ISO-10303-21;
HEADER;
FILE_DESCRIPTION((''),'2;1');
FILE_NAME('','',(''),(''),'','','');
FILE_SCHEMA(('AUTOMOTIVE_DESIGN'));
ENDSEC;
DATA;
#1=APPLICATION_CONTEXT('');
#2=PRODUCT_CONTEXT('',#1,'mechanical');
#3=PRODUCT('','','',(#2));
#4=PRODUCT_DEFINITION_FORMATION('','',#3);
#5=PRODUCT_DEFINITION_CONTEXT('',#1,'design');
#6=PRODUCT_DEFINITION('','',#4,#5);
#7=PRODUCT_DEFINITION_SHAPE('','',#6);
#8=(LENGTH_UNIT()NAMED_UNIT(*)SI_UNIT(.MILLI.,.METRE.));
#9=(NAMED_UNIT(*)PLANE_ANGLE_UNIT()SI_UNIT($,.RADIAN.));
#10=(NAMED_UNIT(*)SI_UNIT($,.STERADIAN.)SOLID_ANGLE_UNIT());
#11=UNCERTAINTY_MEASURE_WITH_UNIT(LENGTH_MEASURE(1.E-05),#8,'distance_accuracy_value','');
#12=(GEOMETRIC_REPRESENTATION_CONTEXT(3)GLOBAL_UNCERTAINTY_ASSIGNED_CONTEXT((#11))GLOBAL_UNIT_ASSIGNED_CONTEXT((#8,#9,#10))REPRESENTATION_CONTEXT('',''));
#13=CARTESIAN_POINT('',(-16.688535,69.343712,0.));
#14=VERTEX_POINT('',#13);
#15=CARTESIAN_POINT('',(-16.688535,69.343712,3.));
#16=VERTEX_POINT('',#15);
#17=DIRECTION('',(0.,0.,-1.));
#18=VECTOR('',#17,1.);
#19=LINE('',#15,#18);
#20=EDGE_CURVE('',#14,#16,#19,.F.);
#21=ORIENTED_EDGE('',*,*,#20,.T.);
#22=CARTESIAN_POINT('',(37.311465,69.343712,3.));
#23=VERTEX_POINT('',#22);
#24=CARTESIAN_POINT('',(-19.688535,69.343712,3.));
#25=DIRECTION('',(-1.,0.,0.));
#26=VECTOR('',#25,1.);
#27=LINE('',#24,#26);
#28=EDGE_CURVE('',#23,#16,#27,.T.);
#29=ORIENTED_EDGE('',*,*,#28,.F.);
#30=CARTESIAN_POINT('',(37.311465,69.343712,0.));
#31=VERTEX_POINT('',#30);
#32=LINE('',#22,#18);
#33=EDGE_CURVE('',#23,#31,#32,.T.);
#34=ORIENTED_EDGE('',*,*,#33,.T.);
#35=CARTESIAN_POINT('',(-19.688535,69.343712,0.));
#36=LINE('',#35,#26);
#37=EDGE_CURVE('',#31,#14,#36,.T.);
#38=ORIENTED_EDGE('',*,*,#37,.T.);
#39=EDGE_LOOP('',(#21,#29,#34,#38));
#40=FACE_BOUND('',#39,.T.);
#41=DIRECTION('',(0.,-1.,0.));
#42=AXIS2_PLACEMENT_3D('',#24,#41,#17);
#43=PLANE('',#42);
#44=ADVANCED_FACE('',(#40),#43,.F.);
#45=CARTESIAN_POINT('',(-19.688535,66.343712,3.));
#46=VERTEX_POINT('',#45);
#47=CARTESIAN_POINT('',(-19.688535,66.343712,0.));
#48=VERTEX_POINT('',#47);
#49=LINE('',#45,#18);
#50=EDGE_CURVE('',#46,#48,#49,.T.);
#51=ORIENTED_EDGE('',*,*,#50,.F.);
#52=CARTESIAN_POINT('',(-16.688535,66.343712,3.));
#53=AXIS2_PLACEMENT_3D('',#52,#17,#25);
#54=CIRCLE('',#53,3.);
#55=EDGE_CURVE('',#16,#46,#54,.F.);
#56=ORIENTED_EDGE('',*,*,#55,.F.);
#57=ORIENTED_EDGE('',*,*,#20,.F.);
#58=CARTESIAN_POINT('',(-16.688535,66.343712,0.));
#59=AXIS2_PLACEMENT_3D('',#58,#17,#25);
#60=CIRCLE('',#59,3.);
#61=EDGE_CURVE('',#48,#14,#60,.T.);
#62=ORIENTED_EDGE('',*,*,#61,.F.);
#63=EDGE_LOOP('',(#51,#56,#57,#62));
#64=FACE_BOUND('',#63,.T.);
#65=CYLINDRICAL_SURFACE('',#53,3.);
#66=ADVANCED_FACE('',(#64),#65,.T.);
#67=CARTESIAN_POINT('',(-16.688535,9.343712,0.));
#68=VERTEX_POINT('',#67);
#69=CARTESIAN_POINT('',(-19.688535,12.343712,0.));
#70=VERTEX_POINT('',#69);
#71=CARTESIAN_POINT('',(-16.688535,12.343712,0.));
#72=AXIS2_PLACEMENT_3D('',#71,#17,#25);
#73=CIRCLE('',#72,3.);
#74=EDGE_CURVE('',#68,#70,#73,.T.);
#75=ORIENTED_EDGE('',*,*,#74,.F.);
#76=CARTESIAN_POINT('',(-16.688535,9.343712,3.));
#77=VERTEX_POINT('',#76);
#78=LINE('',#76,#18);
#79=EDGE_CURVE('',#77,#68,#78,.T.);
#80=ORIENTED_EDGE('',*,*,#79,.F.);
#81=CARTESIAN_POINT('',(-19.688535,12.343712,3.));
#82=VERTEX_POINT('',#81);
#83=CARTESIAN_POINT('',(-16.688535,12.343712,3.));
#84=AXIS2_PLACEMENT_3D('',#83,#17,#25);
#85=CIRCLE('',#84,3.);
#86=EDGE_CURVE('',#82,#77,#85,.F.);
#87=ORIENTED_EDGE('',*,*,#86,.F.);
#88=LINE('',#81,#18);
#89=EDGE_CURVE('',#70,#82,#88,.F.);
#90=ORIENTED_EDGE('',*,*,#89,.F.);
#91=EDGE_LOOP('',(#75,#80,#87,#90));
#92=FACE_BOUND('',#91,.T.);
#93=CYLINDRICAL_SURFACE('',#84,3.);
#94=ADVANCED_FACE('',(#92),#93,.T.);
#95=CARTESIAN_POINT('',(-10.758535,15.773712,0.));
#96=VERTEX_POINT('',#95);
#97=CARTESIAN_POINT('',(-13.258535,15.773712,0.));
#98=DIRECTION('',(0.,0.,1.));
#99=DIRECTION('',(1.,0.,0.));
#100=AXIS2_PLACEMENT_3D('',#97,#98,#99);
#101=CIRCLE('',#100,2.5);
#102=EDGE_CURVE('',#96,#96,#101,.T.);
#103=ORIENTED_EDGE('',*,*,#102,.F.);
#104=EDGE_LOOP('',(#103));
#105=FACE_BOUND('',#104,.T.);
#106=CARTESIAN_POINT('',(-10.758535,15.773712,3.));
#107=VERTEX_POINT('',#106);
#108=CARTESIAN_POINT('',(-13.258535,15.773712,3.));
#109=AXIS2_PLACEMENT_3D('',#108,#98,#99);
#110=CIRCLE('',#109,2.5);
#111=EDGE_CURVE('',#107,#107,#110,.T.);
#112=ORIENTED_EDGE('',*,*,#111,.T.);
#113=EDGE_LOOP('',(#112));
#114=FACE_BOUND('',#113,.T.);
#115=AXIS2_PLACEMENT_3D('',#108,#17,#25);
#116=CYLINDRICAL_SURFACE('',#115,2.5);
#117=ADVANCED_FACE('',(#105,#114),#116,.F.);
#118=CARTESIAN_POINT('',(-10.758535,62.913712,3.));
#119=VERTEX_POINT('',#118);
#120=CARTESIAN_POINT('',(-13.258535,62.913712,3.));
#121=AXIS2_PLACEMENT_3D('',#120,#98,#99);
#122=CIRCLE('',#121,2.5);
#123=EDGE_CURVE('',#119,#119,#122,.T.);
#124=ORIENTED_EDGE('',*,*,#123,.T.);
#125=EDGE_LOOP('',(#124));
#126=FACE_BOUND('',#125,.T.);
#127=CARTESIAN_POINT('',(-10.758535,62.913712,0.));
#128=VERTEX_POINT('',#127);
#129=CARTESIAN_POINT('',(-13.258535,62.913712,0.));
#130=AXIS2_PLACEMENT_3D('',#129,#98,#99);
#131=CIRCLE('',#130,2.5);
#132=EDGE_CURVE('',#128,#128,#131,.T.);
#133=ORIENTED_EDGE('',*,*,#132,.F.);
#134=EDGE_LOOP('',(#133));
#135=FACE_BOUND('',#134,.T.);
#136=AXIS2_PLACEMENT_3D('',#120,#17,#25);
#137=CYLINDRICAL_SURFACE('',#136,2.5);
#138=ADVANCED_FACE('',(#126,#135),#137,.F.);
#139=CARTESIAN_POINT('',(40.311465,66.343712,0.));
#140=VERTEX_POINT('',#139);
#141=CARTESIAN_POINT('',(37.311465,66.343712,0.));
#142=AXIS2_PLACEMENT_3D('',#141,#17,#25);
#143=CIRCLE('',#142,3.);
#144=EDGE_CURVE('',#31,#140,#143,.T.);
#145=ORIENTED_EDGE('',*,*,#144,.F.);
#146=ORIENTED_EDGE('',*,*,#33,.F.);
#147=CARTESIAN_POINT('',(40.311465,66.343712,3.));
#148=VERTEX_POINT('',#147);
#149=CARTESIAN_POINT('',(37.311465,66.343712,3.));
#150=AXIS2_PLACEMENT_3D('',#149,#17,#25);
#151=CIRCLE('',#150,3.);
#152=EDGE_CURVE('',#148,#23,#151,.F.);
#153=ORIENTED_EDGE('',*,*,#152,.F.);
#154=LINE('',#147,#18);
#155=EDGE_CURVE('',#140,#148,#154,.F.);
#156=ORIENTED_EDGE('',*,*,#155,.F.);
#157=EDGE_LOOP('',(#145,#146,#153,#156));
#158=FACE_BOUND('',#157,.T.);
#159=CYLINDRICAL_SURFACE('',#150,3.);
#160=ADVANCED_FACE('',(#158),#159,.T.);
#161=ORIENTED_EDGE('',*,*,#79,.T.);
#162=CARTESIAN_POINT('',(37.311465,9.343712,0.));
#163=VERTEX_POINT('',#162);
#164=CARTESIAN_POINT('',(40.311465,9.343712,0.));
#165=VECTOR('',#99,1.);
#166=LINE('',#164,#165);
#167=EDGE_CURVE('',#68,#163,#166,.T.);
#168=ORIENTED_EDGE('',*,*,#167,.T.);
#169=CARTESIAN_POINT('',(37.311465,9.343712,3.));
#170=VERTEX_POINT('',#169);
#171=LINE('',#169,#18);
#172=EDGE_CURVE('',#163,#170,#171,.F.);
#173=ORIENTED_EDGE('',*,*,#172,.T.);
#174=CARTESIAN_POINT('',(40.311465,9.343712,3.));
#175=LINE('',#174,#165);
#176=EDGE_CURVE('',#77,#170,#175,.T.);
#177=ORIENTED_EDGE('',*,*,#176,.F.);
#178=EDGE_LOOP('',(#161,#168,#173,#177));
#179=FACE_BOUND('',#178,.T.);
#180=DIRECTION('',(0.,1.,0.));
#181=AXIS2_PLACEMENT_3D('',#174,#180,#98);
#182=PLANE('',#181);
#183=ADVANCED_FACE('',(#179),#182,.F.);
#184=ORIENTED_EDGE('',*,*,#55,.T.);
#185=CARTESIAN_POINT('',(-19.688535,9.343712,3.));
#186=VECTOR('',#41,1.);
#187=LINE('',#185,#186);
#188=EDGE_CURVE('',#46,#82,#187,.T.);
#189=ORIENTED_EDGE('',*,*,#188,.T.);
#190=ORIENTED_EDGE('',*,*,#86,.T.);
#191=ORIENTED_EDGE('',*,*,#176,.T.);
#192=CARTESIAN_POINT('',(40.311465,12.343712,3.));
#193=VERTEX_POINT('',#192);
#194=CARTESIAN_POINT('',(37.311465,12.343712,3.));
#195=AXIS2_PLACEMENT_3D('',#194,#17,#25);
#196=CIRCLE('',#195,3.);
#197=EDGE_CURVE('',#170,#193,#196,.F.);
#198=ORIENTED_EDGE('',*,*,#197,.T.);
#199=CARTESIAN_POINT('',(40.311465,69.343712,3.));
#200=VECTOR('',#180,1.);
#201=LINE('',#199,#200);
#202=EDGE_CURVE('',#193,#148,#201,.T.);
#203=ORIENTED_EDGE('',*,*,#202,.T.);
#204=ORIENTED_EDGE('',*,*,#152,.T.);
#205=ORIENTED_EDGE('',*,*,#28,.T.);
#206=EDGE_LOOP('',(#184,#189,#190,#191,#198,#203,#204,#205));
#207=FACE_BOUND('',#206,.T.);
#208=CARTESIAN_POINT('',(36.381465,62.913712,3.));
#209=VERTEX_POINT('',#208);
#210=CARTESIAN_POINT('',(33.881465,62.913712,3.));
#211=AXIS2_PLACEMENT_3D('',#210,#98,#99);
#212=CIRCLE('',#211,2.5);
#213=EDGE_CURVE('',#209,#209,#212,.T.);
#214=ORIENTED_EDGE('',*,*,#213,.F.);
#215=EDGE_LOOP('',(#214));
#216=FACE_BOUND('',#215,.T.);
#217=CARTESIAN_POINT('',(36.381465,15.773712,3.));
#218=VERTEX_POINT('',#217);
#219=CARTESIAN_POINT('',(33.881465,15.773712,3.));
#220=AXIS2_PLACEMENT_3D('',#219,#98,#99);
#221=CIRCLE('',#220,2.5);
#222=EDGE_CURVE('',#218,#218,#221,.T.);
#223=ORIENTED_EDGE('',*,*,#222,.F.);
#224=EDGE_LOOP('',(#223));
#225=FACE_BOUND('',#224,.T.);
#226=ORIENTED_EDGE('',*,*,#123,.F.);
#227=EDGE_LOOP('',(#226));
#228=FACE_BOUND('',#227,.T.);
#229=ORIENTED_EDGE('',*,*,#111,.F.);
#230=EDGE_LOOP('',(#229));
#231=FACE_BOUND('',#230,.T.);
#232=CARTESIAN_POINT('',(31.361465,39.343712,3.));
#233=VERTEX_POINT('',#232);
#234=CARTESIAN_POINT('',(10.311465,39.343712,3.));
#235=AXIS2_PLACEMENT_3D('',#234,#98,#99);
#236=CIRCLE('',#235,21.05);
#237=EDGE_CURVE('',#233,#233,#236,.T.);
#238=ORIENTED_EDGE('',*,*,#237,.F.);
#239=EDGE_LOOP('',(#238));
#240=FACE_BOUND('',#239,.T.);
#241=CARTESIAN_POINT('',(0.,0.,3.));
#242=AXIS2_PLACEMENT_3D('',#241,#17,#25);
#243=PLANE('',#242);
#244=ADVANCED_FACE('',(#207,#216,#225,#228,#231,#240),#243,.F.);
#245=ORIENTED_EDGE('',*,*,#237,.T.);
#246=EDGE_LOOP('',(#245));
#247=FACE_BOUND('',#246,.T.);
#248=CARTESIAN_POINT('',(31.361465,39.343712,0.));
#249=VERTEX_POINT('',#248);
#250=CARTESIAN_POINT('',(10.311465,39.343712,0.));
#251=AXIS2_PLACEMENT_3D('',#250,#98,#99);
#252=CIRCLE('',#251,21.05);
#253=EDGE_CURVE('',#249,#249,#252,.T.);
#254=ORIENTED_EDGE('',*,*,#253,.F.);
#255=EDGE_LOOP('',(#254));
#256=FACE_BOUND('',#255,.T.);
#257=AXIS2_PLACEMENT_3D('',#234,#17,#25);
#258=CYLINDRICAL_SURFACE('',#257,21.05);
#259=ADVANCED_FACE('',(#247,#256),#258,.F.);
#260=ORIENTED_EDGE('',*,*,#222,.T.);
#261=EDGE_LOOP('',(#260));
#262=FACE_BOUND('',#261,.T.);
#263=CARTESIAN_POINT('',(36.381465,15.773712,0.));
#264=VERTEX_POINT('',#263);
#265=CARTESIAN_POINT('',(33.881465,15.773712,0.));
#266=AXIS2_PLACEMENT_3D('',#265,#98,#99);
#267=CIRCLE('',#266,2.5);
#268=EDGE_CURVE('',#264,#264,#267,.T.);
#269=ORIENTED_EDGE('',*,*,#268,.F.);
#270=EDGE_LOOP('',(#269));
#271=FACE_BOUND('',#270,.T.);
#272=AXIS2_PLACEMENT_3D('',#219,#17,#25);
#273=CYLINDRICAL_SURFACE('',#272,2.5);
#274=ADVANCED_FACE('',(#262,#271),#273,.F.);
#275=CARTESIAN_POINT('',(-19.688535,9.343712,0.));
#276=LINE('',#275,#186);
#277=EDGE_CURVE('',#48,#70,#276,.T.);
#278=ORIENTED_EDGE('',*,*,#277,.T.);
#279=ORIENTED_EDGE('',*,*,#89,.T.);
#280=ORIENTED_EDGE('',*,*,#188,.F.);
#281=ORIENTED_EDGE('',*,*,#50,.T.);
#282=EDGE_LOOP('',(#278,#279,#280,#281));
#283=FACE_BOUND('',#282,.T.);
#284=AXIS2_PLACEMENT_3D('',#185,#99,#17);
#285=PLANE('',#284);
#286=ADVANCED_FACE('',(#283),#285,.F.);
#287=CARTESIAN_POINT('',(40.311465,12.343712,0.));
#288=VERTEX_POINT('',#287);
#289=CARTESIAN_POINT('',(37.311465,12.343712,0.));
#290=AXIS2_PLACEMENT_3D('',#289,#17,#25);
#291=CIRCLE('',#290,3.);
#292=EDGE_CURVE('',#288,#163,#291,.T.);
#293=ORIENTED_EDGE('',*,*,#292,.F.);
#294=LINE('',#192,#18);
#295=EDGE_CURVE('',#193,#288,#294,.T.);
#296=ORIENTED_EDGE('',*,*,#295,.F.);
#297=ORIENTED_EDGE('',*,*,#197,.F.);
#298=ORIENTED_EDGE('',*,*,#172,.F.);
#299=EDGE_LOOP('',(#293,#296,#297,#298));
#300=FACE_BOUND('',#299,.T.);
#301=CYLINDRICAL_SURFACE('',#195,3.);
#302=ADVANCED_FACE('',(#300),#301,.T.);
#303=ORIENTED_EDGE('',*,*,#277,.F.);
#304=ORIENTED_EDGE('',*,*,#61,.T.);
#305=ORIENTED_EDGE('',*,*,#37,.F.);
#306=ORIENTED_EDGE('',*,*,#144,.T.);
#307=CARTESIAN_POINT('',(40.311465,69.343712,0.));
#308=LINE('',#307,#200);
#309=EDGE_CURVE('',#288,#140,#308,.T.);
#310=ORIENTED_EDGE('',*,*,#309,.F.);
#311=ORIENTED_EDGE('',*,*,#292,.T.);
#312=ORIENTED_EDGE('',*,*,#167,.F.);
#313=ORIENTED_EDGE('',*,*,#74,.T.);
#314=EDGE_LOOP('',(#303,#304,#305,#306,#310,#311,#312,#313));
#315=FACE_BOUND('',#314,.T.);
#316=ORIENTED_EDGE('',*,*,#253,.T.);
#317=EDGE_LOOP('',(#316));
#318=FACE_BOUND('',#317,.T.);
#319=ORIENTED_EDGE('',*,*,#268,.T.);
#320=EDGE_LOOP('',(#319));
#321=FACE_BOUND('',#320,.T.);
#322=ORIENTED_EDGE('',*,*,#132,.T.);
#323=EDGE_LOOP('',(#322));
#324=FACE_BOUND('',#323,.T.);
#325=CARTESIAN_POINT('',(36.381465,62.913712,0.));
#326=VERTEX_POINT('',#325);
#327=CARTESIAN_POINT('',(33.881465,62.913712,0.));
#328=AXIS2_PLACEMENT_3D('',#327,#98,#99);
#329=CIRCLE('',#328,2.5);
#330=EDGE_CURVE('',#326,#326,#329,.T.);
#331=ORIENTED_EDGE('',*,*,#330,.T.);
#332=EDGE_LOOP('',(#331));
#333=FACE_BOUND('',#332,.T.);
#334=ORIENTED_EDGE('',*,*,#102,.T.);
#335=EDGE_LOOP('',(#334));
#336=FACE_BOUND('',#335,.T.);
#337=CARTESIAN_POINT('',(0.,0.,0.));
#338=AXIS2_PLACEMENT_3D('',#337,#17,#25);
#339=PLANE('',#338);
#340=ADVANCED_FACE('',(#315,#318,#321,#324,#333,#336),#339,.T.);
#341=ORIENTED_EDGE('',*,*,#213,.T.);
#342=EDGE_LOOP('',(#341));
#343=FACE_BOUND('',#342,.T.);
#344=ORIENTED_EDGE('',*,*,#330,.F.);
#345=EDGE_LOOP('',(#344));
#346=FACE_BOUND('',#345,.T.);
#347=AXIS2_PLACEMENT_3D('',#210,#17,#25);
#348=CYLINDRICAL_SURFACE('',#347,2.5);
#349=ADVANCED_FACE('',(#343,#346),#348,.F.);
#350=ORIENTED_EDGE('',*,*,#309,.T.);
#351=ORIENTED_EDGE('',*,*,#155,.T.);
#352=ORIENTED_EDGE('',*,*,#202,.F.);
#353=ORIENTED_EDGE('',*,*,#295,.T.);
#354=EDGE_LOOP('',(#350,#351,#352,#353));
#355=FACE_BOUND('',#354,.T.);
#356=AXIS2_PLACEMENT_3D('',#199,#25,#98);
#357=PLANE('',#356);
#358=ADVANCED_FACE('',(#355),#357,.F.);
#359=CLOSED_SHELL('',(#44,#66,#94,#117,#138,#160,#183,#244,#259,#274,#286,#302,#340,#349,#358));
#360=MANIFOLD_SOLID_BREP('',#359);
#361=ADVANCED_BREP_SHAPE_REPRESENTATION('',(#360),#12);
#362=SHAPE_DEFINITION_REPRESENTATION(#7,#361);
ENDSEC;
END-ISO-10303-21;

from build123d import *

# Parameters (mm, degrees)
SKETCH2_W           = 60
SKETCH2_H           = 60
SKETCH2_R           = 2.5
SKETCH2_R_2         = 21.05
BOSS_EXTRUDE1_DEPTH = 3
FILLET1_R           = 3


with BuildPart() as part:
    # Sketch2 → Boss-Extrude1 (new body)
    with BuildSketch(Plane.XY):
        with Locations((10.311464729, 39.343711654)):
            Rectangle(SKETCH2_W, SKETCH2_H)
        with Locations((33.881464729, 15.773711654)):
            Circle(SKETCH2_R, mode=Mode.SUBTRACT)
        with Locations((-13.258535271, 15.773711654)):
            Circle(SKETCH2_R, mode=Mode.SUBTRACT)
        with Locations((-13.258535271, 62.913711654)):
            Circle(SKETCH2_R, mode=Mode.SUBTRACT)
        with Locations((10.311464729, 39.343711654)):
            Circle(SKETCH2_R_2, mode=Mode.SUBTRACT)
        with Locations((33.881464729, 62.913711654)):
            Circle(SKETCH2_R, mode=Mode.SUBTRACT)
    extrude(amount=BOSS_EXTRUDE1_DEPTH)

    # Fillet1
    fillet1_edges = [part.edges().sort_by_distance(p)[0] for p in [
        (-19.688535271, 9.343711654, 1.5),
        (-19.688535271, 69.343711654, 1.5),
        (40.311464729, 69.343711654, 1.5),
        (40.311464729, 9.343711654, 1.5),
    ]]
    fillet(fillet1_edges, radius=FILLET1_R)


solid = part.part
